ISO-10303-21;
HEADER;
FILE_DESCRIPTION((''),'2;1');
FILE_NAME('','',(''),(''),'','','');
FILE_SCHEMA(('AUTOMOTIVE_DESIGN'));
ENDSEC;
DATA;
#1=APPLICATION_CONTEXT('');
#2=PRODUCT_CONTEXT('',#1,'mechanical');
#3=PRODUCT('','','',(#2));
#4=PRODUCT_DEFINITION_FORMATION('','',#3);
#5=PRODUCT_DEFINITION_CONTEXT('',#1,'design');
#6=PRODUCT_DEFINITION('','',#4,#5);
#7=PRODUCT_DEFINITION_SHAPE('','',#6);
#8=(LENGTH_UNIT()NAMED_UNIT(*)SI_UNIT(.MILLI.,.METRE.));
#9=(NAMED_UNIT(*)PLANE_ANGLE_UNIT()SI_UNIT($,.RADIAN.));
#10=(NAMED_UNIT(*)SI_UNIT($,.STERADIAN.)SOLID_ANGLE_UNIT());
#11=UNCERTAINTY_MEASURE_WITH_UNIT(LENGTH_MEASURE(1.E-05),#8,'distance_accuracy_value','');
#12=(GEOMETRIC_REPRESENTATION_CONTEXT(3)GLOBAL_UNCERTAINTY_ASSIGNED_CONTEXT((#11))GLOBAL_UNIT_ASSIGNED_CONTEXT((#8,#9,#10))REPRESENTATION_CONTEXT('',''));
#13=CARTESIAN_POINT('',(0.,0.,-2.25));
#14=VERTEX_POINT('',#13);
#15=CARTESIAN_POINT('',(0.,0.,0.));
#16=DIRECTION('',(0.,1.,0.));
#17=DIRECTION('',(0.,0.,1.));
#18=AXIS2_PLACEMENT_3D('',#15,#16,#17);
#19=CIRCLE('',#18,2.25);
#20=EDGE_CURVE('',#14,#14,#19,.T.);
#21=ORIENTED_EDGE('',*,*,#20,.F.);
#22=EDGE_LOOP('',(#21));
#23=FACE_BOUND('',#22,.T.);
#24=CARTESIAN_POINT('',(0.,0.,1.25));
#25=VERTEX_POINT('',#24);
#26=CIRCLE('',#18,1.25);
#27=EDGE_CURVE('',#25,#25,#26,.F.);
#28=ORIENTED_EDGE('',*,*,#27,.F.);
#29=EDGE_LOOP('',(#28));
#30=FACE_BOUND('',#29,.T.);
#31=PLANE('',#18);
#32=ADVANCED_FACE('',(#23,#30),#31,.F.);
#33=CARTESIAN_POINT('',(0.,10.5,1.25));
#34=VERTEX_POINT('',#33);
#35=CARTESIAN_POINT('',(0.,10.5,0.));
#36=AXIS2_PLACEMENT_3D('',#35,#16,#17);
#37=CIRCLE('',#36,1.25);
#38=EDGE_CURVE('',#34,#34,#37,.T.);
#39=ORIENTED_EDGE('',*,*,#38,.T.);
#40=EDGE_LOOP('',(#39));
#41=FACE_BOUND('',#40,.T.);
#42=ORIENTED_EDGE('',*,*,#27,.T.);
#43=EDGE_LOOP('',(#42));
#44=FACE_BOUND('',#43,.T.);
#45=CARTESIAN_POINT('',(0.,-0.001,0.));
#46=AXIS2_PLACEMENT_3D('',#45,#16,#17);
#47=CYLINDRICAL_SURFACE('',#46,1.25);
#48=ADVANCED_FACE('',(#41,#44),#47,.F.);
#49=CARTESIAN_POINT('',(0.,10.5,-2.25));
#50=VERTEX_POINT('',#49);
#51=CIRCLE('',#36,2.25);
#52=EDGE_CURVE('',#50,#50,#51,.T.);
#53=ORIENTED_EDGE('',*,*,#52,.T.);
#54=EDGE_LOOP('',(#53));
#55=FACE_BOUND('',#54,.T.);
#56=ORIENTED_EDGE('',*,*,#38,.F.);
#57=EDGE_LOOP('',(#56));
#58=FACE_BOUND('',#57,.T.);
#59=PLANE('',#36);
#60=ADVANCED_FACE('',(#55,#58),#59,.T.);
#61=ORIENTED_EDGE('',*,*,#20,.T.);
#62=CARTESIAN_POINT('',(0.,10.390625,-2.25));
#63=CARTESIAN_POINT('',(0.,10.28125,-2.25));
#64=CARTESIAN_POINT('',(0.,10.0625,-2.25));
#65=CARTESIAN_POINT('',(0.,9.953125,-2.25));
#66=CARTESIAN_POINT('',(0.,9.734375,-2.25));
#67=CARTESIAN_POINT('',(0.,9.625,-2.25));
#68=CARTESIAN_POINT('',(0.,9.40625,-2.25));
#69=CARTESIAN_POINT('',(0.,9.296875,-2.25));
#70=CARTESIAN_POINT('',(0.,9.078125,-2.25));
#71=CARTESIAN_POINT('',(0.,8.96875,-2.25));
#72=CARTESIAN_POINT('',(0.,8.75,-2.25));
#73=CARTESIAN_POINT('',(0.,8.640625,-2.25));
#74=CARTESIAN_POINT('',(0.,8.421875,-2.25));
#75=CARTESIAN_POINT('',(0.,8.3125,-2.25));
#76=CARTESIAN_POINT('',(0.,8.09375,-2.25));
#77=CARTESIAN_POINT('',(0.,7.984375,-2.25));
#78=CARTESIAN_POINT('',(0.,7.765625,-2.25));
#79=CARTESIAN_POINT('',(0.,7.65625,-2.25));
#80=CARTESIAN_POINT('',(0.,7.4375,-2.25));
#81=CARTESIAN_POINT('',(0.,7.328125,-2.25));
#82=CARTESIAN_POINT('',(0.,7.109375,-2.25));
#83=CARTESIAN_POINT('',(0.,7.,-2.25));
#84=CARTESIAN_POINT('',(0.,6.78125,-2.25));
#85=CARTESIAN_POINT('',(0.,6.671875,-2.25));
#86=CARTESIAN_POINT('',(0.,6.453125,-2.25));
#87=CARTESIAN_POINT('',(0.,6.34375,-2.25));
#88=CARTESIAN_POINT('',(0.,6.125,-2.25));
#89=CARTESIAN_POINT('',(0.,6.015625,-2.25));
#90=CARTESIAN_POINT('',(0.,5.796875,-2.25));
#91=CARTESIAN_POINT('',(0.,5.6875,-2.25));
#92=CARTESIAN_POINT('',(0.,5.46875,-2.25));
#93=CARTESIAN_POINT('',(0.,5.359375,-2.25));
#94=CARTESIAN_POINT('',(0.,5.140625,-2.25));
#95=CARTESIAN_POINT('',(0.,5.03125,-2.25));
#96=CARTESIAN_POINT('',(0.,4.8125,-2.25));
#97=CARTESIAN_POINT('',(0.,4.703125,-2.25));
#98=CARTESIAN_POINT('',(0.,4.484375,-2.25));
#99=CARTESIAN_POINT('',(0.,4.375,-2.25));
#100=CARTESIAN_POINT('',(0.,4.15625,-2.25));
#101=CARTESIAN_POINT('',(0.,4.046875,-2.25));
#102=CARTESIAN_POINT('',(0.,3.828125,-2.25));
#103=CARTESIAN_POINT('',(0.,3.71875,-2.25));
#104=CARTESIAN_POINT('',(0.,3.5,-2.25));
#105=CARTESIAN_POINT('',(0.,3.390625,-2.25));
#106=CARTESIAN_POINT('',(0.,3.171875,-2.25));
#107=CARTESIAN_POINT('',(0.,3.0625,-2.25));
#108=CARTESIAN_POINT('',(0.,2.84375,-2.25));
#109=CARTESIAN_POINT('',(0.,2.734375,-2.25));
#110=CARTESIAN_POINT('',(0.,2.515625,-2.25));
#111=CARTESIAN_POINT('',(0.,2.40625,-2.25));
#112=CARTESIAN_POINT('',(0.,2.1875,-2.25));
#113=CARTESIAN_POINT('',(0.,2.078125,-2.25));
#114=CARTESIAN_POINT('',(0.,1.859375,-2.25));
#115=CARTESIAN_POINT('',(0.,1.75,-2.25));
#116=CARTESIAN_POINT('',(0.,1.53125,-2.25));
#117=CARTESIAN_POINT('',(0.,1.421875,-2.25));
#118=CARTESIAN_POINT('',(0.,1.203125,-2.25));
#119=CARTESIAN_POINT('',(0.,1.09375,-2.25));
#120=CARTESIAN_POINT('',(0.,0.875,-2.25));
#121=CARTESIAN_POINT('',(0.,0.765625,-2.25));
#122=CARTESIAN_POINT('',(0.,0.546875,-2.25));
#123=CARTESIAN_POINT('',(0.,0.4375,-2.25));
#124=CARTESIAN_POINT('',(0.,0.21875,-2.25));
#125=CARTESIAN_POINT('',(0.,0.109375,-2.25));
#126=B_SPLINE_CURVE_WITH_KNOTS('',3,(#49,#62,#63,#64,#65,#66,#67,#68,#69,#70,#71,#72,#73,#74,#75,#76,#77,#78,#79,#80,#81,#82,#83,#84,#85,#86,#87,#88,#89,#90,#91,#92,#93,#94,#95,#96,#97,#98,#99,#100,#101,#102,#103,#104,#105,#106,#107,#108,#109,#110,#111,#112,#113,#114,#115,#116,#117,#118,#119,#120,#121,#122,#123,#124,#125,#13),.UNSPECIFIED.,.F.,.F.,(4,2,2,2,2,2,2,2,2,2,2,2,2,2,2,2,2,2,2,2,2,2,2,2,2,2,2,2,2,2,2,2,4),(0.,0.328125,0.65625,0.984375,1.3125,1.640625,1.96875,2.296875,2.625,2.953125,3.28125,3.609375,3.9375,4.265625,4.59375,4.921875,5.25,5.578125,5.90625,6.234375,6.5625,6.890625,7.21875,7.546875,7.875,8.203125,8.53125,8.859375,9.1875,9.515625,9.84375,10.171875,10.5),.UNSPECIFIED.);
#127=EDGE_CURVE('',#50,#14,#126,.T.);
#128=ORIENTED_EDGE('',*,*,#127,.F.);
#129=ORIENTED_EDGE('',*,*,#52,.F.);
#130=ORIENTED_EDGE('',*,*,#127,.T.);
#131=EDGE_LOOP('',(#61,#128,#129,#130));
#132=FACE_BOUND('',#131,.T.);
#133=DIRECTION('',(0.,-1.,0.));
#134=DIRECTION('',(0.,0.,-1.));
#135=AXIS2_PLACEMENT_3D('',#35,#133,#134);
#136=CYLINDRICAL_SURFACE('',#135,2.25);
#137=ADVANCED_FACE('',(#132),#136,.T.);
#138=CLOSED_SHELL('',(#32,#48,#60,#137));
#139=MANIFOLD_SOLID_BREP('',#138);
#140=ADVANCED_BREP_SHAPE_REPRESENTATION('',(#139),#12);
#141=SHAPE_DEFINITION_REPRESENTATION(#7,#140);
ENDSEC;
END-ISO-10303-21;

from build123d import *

# Parameters (mm, degrees)
SKETCH1_R           = 2.25
BOSS_EXTRUDE1_DEPTH = 10.5
CUT_EXTRUDE1_REACH  = 12.972
SKETCH2_R           = 1.25


with BuildPart() as part:
    # Sketch1 → Boss-Extrude1 (new body)
    with BuildSketch(Plane(origin=(0, 0, 0), x_dir=(1, 0, 0), z_dir=(0, 1, 0))):
        with Locations(Location((0, 0, 0), (0, 0, 90))):
            Circle(SKETCH1_R)
    extrude(amount=BOSS_EXTRUDE1_DEPTH)

    # Sketch2 → Cut-Extrude1 (cut, up to next)
    with BuildSketch(Plane(origin=(0, 10.5, 0), x_dir=(1, 0, 0), z_dir=(0, 1, 0)), mode=Mode.PRIVATE) as cut_extrude1_sk1:
        with Locations(Location((0, 0, 0), (0, 0, 270))):
            Circle(SKETCH2_R)
    cut_extrude1_tool1 = extrude(cut_extrude1_sk1.sketch, amount=-CUT_EXTRUDE1_REACH, mode=Mode.PRIVATE) & part.part
    add(cut_extrude1_tool1.solids().sort_by_distance((0, 10.5, 0))[0], mode=Mode.SUBTRACT)


solid = part.part
